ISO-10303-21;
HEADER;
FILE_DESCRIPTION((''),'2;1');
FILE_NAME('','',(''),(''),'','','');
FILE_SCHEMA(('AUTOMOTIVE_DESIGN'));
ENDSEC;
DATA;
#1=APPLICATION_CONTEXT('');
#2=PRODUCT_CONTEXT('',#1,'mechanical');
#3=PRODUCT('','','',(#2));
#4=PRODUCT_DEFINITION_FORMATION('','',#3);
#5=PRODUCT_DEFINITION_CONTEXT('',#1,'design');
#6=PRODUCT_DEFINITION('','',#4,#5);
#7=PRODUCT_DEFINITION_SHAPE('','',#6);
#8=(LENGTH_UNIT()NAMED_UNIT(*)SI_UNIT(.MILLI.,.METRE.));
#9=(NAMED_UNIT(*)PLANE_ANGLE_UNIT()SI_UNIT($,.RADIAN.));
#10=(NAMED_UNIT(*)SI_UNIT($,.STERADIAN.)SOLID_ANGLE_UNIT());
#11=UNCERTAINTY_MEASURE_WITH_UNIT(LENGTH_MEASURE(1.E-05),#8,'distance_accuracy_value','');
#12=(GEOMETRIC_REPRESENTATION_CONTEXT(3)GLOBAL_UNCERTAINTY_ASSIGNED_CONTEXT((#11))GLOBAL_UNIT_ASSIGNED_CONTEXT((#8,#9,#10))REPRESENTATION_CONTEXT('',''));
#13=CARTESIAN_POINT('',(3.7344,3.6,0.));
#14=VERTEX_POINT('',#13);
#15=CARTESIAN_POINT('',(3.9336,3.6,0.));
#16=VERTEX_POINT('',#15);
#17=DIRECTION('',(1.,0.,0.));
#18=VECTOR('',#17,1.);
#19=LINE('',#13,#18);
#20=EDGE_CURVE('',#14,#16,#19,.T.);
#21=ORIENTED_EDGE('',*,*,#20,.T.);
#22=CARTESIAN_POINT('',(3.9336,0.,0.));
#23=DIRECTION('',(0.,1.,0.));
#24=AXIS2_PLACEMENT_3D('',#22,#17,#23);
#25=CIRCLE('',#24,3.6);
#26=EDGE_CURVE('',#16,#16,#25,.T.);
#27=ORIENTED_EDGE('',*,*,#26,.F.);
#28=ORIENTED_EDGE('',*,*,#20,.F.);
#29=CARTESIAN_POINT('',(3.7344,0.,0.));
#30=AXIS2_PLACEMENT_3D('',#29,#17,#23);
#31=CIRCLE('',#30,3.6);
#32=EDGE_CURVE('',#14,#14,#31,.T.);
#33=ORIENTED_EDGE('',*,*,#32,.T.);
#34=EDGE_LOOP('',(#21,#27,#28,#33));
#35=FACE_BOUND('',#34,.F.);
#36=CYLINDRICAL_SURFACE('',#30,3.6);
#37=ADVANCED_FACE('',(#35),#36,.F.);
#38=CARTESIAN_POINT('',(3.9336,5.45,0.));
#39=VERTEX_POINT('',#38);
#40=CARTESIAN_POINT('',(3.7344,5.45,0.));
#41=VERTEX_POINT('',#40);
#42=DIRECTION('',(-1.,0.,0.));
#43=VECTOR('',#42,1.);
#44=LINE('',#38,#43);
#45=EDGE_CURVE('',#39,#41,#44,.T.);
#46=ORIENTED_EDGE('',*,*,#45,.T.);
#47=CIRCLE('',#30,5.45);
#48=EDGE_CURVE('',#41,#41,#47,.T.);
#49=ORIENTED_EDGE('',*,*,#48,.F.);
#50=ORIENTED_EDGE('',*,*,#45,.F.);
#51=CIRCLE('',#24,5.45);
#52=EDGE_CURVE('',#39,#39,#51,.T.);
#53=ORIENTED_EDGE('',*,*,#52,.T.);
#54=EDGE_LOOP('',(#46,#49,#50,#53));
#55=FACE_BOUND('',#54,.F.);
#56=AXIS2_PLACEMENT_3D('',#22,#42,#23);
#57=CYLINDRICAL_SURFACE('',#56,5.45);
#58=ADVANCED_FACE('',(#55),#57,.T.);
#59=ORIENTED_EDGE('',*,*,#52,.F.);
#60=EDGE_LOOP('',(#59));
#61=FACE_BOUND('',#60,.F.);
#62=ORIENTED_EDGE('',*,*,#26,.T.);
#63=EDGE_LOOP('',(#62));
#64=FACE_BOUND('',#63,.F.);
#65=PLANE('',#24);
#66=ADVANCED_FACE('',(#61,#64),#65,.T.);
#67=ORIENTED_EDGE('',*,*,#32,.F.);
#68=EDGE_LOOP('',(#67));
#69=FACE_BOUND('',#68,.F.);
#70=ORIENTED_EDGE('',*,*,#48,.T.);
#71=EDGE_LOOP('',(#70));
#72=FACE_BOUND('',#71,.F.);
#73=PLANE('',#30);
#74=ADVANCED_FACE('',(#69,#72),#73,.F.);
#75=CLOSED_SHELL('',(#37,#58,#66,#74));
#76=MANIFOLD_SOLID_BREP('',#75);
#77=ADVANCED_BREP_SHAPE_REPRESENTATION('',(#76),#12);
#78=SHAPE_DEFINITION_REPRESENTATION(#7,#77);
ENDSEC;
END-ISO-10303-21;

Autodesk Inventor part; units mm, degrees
sketch "Sketch_1" plane through (0, 0, 0) normal (0, 0, 1) x (1, 0, 0)
  line L0 (3.9336, 0) -> (3.7344, 0)
  line L1 (3.7344, 3.6) -> (3.9336, 3.6)
  line L2 (3.9336, 3.6) -> (3.9336, 5.45)
  line L3 (3.9336, 5.45) -> (3.7344, 5.45)
  line L4 (3.7344, 5.45) -> (3.7344, 3.6)
revolve "Revolution1" add sketch "Sketch_1" angle 360 about axis through (3.9336, 0, 0) along (1, 0, 0)
ref_plane "ip_st_s2_XY" through (3.7344, 0, 0) normal (1, 0, 0) x (0, 0, -1)
ref_plane "ip_st_s2_YZ" through (3.7344, 0, 0) normal (0, 0, -1) x (0, 1, 0)
ref_plane "ip_st_s2_ZX" through (3.7344, 0, 0) normal (0, 1, 0) x (1, 0, 0)
properties part number "MR126ZZ Shield2"
